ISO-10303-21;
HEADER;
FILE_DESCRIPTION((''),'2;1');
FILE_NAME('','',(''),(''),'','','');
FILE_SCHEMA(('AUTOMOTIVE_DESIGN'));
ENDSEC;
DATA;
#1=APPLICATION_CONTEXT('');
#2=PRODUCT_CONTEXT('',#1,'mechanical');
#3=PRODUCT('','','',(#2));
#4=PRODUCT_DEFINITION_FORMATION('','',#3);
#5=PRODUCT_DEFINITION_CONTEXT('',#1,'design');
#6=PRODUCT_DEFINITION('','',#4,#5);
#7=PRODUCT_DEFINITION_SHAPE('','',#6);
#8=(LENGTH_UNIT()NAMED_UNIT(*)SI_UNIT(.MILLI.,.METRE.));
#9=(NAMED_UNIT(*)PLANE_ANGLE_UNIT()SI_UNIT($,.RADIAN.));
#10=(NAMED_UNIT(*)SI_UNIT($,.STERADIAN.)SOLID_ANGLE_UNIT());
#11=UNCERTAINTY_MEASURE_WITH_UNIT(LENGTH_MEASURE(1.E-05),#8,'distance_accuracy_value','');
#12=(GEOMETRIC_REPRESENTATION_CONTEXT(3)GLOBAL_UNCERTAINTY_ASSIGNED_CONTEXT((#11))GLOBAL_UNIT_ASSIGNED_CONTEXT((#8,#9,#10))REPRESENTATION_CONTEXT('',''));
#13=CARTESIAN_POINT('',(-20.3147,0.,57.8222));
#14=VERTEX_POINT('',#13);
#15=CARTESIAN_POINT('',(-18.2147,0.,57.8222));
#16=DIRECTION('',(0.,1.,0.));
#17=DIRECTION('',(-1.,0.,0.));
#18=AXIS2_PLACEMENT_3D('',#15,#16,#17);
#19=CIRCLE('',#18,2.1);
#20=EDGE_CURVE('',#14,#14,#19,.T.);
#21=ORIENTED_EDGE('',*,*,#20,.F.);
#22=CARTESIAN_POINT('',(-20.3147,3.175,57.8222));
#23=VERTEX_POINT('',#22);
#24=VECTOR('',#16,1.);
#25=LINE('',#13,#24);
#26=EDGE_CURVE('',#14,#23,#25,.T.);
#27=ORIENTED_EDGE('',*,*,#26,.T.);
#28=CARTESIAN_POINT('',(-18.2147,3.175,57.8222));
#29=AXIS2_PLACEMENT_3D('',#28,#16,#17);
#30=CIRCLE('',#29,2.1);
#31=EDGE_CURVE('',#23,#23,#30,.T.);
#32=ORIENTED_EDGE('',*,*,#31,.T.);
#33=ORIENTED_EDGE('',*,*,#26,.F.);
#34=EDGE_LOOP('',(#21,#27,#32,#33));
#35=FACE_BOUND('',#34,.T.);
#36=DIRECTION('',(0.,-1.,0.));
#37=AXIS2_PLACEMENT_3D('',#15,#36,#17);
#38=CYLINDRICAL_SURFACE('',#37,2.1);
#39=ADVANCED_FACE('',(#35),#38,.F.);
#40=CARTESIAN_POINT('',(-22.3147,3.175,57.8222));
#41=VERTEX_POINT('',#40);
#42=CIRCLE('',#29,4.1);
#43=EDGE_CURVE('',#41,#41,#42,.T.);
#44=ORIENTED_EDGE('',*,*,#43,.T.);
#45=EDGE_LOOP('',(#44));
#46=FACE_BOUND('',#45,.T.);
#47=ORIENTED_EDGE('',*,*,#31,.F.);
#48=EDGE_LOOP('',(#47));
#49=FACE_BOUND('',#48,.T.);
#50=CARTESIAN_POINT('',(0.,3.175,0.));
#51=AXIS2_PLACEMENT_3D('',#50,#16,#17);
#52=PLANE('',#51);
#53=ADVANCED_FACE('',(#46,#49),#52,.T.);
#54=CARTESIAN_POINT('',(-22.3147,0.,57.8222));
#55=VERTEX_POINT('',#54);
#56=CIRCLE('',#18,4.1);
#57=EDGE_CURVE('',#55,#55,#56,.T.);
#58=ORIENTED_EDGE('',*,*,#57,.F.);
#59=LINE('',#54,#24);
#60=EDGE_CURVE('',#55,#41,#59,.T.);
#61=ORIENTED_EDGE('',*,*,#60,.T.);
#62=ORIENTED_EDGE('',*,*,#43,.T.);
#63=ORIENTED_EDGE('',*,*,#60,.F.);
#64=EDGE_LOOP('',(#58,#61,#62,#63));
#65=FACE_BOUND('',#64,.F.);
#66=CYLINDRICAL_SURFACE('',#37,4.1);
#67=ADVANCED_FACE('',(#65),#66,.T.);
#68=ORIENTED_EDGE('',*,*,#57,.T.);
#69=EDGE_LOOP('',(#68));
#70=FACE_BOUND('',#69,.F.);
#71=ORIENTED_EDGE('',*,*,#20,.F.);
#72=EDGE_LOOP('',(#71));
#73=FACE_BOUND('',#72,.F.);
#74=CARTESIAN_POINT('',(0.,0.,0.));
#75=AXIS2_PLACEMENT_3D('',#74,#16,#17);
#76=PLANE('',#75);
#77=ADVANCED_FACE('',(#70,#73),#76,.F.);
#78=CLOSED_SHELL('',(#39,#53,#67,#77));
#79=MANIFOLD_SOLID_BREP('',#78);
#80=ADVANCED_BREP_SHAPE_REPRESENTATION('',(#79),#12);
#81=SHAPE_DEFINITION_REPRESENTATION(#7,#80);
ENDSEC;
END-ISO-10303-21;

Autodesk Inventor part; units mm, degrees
ref_plane "YZ Plane" through (0, 0, 0) normal (1, 0, 0) x (0, 1, 0)
ref_plane "XZ Plane" through (0, 0, 0) normal (0, 1, 0) x (-1, 0, 0)
ref_plane "XY Plane" through (0, 0, 0) normal (0, 0, 1) x (1, 0, 0)
sketch "Sketch1" plane through (0, 0, 0) normal (0, 1, 0) x (-1, 0, 0)
  circle A0 centre (18.2147, 57.8222) radius 2.1
  circle A1 centre (18.2147, 57.8222) radius 4.1
  point P0 (0, 0)
  dimension "d0" = 4.2
  dimension "d1" = 2
extrude "Extrusion1" add sketch "Sketch1" along normal blind 3.175
properties part number "Spacers"
